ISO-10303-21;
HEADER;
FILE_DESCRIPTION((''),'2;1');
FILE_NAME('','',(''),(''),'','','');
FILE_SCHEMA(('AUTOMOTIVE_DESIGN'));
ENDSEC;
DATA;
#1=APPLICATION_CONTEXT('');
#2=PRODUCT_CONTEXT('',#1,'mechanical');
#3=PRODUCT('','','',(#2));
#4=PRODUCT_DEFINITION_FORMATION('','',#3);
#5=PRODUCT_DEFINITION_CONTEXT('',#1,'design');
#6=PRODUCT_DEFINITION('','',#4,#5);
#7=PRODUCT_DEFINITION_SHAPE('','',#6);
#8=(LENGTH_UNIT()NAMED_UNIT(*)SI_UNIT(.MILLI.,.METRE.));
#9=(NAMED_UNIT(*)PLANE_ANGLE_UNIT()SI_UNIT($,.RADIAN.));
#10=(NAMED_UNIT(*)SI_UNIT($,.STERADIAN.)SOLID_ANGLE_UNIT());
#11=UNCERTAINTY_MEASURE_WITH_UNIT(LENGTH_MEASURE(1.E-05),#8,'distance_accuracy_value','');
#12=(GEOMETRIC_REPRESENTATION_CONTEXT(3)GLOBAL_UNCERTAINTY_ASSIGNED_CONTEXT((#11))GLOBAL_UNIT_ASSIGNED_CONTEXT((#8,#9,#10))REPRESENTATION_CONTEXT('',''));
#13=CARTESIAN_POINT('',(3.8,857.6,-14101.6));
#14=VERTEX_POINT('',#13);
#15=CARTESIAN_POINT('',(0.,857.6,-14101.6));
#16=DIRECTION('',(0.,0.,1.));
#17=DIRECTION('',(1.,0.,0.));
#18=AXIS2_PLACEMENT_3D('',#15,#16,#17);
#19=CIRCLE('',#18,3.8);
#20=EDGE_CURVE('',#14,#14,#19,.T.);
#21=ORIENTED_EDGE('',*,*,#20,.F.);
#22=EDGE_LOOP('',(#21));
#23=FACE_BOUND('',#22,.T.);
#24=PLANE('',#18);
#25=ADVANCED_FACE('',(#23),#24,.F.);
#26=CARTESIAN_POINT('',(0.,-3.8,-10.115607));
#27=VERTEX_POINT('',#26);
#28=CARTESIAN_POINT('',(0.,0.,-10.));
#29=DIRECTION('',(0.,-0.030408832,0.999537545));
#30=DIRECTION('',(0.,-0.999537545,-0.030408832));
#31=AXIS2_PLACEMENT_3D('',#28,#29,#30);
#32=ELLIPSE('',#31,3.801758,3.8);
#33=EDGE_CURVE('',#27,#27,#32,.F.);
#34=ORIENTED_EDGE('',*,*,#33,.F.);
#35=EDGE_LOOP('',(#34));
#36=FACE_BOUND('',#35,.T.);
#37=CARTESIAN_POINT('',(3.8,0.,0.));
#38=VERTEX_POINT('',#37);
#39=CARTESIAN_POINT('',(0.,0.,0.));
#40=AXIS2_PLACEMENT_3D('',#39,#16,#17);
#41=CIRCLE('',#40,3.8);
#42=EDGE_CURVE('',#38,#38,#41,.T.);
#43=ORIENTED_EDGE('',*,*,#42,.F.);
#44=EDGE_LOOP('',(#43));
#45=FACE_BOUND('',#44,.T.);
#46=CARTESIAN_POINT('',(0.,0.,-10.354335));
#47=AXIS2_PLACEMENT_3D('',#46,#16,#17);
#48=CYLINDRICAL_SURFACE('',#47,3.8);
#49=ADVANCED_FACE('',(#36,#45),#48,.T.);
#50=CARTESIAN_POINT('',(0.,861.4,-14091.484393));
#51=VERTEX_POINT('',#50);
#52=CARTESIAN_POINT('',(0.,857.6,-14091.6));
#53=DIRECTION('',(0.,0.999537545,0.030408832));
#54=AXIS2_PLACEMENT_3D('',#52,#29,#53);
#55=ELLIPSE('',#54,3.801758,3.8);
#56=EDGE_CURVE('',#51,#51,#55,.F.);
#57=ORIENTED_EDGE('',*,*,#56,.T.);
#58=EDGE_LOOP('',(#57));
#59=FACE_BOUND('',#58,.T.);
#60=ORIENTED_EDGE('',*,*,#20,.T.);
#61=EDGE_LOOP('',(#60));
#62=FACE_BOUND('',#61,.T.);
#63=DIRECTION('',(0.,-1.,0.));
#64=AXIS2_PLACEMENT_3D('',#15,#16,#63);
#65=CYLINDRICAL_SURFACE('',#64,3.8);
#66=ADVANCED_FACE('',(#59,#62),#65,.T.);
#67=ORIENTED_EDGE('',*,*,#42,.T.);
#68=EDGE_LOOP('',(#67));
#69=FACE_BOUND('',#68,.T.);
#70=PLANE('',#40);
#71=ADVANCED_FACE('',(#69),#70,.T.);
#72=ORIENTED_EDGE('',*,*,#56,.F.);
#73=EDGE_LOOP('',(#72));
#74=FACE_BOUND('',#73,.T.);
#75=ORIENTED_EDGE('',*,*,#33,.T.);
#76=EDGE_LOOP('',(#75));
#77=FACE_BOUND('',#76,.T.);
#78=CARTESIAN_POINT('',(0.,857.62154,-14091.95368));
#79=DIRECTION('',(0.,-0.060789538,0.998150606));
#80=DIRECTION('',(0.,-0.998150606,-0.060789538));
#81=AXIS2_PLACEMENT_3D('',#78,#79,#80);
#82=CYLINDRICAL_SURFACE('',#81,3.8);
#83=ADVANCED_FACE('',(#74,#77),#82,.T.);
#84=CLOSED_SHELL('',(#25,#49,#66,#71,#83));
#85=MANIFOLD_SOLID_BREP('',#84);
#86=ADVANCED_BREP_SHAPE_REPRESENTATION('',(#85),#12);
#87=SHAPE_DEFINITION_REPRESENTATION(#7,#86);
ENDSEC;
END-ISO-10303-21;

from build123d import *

# Parameters (mm, degrees)
SKETCH2_R = 3.8


with BuildPart() as part:
    # Sweep1: sweep along a path in Sketch1
    with BuildLine(Plane(origin=(0, 0, 0), x_dir=(0, 0, -1), z_dir=(1, 0, 0))) as sweep1_path:
        Line((14101.6, 857.6), (14091.6, 857.6))
        Line((14091.6, 857.6), (10, 0))
        Line((10, 0), (0, 0))
    # Sketch2 → Sweep1 (sweep)
    with BuildSketch(Plane.XY):
        Circle(SKETCH2_R)
    sweep(path=sweep1_path.line, transition=Transition.RIGHT)


solid = part.part
